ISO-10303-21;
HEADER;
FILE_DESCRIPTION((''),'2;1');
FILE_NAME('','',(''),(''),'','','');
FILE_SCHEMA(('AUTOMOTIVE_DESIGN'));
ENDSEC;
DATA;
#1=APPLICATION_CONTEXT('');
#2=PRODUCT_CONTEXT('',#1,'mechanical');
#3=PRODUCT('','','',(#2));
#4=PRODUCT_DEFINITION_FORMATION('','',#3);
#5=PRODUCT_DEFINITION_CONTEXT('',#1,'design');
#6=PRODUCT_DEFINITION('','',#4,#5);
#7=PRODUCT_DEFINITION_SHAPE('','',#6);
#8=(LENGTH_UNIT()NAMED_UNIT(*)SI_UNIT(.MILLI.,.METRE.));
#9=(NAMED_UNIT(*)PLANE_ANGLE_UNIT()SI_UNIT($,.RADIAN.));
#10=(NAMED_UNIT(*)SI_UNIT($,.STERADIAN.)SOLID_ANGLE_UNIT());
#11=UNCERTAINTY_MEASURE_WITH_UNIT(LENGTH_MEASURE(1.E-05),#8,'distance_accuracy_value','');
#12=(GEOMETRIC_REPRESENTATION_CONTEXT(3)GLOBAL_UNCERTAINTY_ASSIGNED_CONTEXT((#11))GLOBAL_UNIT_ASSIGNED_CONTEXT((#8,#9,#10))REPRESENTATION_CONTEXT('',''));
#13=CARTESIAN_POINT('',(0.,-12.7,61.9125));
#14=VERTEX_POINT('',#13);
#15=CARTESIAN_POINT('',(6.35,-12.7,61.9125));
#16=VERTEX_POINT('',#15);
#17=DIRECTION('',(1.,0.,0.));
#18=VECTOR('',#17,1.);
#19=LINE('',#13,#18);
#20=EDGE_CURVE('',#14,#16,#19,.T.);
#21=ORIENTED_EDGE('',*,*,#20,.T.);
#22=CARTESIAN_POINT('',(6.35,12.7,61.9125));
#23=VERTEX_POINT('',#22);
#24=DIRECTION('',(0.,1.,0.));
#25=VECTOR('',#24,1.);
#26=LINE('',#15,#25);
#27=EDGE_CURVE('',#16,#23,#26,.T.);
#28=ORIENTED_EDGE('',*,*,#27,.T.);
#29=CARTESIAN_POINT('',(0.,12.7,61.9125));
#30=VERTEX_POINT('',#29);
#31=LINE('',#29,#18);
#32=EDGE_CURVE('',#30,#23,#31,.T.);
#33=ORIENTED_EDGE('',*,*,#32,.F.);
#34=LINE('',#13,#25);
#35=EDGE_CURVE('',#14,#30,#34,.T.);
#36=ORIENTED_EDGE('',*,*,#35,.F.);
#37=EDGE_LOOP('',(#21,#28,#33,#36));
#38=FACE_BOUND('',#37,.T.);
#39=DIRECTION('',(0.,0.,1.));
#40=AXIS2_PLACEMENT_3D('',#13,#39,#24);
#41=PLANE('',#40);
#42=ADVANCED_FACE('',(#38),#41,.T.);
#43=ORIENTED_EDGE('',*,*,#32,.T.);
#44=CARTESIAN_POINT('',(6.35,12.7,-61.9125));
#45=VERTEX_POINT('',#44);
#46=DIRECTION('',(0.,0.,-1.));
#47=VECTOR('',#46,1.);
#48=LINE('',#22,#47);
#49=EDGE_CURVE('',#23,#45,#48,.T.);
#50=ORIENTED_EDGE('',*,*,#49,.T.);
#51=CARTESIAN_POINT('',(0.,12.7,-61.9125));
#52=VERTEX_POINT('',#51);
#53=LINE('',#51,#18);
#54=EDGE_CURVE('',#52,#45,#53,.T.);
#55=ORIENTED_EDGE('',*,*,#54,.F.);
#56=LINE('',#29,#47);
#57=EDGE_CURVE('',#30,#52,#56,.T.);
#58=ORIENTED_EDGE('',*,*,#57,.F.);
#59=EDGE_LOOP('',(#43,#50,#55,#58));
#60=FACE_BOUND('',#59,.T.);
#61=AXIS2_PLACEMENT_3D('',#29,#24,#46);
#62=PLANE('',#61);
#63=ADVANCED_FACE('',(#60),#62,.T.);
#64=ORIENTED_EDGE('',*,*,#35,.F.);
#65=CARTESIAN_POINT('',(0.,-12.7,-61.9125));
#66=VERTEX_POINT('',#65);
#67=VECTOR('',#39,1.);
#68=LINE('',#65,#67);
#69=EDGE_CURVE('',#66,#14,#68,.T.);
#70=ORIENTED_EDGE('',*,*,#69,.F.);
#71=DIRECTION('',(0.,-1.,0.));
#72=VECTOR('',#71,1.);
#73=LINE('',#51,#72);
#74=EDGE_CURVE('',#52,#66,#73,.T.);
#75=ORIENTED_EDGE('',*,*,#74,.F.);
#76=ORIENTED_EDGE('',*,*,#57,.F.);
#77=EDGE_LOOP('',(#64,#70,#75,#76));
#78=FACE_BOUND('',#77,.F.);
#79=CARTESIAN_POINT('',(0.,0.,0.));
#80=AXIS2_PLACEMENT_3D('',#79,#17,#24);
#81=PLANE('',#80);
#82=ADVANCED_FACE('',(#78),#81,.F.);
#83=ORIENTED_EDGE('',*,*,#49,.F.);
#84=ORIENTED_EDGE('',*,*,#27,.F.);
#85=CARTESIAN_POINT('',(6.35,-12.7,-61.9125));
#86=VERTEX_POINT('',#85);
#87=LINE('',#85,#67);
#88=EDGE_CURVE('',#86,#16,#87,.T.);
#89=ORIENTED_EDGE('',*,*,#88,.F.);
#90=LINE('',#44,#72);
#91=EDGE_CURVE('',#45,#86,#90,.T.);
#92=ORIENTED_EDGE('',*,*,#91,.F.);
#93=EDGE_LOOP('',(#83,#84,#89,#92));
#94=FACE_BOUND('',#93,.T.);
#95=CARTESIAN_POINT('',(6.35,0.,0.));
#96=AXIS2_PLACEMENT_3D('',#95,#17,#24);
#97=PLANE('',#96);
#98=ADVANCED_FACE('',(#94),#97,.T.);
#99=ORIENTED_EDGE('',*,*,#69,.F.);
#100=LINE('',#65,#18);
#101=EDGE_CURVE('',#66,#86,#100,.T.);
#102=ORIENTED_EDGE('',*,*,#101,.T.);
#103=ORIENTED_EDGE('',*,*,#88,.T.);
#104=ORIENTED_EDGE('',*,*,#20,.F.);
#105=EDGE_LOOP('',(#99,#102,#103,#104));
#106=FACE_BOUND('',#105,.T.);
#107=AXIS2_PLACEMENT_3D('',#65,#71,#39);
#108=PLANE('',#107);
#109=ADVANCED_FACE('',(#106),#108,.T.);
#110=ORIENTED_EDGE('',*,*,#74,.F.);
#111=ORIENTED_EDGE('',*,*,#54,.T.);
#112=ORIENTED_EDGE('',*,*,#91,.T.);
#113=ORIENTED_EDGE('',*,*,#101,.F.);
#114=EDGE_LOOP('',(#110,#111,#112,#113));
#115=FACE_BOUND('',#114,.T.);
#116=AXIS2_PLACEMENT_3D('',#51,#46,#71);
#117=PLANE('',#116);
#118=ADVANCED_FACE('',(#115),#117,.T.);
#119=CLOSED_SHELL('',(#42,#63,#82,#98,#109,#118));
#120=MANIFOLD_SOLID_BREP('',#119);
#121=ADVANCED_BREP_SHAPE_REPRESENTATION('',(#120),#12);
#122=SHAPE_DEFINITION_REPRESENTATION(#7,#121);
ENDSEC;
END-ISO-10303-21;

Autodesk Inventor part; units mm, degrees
ref_plane "YZ Plane" through (0, 0, 0) normal (1, 0, 0) x (0, 1, 0)
ref_plane "XZ Plane" through (0, 0, 0) normal (0, 1, 0) x (-1, 0, 0)
ref_plane "XY Plane" through (0, 0, 0) normal (0, 0, 1) x (1, 0, 0)
sketch "Sketch1" plane through (0, 0, 0) normal (1, 0, 0) x (0, 1, 0)
  line L0 (-12.7, 61.9125) -> (12.7, 61.9125)
  line L1 (12.7, 61.9125) -> (12.7, -61.9125)
  line L2 (12.7, -61.9125) -> (-12.7, -61.9125)
  line L3 (-12.7, -61.9125) -> (-12.7, 61.9125)
  line L4 (-12.7, 61.9125) -> (12.7, -61.9125) construction
  line L5 (12.7, 61.9125) -> (-12.7, -61.9125) construction
  point P0 (0, 0)
  dimension "d0" = 25.4
  dimension "d1" = 123.825
extrude "Extrusion1" add sketch "Sketch1" along normal blind 6.35
properties part number "Back_Plate" material "UHMW, White"
